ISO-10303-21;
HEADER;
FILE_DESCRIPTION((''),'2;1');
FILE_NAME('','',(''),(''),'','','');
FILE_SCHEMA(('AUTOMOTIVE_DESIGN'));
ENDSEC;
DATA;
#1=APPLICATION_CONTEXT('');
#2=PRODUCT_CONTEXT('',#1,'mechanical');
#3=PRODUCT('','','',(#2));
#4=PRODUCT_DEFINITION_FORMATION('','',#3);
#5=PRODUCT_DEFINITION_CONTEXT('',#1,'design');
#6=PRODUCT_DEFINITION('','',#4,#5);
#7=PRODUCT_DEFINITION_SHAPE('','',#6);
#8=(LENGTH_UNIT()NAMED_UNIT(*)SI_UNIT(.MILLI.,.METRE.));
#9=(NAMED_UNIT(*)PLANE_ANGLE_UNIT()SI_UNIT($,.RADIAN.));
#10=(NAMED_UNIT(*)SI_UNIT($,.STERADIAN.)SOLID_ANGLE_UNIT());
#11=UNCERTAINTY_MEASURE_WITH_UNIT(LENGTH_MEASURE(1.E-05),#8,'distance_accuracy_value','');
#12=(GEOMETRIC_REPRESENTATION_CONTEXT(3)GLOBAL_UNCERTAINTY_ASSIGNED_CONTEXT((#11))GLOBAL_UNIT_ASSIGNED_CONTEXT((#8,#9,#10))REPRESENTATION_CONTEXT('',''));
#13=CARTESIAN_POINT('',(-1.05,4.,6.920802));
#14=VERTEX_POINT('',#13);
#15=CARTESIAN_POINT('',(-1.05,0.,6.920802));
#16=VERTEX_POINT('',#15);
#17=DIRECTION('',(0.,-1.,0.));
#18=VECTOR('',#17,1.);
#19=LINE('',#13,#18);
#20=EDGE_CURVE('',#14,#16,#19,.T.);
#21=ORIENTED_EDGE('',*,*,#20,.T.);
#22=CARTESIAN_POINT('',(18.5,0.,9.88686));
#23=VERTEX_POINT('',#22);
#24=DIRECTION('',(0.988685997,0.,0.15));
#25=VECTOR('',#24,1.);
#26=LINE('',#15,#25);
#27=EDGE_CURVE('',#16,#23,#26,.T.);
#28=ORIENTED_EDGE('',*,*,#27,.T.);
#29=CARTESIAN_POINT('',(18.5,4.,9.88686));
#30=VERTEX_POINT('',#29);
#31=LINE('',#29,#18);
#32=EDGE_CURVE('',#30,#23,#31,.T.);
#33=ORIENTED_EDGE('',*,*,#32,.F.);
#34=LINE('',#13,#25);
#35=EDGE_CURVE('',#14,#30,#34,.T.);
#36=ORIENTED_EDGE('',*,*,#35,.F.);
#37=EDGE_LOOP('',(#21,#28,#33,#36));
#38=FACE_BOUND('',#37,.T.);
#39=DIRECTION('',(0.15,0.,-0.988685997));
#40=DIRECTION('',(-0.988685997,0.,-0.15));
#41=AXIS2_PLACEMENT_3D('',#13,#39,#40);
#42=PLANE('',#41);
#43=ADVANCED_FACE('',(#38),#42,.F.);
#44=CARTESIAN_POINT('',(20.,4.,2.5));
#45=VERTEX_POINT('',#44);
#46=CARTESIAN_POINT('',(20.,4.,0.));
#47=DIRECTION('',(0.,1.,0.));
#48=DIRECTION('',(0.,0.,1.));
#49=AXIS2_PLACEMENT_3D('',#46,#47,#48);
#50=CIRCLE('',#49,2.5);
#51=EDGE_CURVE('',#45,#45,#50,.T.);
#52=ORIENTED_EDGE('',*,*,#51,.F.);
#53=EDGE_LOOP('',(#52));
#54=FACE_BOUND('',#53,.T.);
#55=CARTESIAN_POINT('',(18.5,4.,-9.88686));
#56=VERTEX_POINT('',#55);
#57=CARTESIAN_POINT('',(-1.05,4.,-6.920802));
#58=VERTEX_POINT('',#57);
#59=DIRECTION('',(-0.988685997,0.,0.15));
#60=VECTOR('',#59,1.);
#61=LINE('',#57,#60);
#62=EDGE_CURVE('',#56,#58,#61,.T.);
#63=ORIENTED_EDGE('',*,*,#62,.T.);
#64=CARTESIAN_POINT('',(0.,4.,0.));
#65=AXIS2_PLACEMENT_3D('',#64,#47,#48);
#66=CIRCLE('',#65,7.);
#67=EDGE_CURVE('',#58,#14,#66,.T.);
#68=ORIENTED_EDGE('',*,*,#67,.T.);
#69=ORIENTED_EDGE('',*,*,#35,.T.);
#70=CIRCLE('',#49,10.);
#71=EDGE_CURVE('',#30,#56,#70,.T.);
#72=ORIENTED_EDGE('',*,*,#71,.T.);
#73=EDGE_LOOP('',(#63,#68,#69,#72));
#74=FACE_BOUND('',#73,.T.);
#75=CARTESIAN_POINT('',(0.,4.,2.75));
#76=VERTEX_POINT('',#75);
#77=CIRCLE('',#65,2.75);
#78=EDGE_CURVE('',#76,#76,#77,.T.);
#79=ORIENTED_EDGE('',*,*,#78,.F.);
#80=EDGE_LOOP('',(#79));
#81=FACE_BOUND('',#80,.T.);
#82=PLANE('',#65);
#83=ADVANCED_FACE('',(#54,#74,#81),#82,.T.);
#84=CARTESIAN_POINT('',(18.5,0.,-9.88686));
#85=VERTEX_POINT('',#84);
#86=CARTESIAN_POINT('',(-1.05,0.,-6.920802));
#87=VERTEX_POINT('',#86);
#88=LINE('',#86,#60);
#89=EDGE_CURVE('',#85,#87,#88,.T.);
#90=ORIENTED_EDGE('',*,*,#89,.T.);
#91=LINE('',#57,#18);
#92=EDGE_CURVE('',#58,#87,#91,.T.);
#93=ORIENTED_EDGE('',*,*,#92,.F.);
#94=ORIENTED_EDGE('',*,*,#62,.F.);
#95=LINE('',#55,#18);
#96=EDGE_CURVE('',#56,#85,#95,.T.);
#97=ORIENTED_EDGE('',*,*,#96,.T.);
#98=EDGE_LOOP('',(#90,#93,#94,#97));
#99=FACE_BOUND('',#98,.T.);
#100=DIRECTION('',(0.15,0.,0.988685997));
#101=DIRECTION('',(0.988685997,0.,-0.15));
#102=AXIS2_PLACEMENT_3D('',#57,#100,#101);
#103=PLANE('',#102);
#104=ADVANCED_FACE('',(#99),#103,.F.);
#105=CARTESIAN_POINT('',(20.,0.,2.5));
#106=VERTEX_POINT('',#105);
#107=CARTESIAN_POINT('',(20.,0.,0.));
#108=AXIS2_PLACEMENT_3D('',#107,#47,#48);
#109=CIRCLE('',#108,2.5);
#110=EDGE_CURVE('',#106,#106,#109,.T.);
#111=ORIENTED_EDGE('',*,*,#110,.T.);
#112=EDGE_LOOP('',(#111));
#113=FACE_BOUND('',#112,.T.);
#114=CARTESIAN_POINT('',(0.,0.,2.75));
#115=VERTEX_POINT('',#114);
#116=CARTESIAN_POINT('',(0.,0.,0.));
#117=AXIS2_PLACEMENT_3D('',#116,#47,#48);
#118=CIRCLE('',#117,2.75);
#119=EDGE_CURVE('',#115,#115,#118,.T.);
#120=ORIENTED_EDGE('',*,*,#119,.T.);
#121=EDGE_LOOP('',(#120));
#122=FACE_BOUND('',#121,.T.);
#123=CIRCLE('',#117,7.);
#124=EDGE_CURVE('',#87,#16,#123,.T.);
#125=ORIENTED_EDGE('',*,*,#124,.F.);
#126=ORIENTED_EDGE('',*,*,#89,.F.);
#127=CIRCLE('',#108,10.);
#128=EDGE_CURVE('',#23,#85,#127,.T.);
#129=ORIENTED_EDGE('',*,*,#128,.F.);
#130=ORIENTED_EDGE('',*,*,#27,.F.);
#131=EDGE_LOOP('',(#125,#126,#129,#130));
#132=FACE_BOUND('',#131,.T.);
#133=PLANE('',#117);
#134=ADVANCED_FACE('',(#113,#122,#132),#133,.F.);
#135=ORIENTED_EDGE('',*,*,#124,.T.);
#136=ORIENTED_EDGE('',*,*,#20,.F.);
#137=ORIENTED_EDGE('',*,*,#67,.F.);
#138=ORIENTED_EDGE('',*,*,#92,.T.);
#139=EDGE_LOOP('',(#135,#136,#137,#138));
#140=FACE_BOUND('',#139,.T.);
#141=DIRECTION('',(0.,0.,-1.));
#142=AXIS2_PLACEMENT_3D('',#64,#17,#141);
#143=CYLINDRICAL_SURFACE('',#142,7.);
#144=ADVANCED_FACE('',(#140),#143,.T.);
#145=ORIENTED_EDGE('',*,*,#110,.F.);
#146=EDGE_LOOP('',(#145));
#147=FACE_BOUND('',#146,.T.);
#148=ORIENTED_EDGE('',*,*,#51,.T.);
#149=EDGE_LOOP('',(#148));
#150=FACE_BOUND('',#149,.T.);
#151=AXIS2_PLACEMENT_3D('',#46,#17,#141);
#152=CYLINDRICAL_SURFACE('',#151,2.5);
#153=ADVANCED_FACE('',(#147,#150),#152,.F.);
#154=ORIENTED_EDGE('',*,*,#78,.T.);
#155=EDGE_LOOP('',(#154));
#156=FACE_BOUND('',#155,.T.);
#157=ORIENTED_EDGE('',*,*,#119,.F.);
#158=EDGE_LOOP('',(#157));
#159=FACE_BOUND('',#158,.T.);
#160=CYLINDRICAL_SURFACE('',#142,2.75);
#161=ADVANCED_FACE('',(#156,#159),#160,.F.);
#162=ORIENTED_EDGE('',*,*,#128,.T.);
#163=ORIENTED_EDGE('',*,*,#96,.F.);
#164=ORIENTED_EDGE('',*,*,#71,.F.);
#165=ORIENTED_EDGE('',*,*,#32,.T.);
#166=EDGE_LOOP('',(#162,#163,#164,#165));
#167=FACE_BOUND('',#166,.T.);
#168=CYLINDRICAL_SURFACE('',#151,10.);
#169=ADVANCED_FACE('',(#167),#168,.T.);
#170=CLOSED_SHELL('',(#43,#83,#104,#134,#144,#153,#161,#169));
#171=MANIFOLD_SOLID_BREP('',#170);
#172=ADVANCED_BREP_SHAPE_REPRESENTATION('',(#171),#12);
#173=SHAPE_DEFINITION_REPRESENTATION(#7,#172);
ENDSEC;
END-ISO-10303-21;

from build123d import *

# Parameters (mm, degrees)
SKETCH1_R           = 7
SKETCH1_R_2         = 2.75
SKETCH1_R_3         = 10
SKETCH1_R_4         = 2.5
BOSS_EXTRUDE1_DEPTH = 4


with BuildPart() as part:
    # Sketch1 → Boss-Extrude1 (new body)
    # profile 1 of 3: a face of its own
    with BuildSketch(Plane(origin=(0, 0, 0), x_dir=(1, 0, 0), z_dir=(0, 1, 0))):
        Circle(SKETCH1_R)
        with Locations(Location((0, 0, 0), (0, 0, 270))):
            Circle(SKETCH1_R_2, mode=Mode.SUBTRACT)
    # profile 2 of 3: a face of its own
    with BuildSketch(Plane(origin=(0, 0, 0), x_dir=(1, 0, 0), z_dir=(0, 1, 0))):
        with BuildLine():
            ThreePointArc((18.5, -9.886859967), (10, 0), (18.5, 9.886859967))
            Line((18.5, 9.886859967), (-1.05, 6.920801977))
            ThreePointArc((-1.05, 6.920801977), (4.563441684, 5.308012811), (7, 0))
            ThreePointArc((7, 0), (4.563441684, -5.308012811), (-1.05, -6.920801977))
            Line((-1.05, -6.920801977), (18.5, -9.886859967))
        make_face()
    # profile 3 of 3: a face of its own
    with BuildSketch(Plane(origin=(0, 0, 0), x_dir=(1, 0, 0), z_dir=(0, 1, 0))):
        with Locations((20, 0)):
            Circle(SKETCH1_R_3)
        with Locations(Location((20, 0, 0), (0, 0, 270))):
            Circle(SKETCH1_R_4, mode=Mode.SUBTRACT)
    extrude(amount=BOSS_EXTRUDE1_DEPTH)


solid = part.part
